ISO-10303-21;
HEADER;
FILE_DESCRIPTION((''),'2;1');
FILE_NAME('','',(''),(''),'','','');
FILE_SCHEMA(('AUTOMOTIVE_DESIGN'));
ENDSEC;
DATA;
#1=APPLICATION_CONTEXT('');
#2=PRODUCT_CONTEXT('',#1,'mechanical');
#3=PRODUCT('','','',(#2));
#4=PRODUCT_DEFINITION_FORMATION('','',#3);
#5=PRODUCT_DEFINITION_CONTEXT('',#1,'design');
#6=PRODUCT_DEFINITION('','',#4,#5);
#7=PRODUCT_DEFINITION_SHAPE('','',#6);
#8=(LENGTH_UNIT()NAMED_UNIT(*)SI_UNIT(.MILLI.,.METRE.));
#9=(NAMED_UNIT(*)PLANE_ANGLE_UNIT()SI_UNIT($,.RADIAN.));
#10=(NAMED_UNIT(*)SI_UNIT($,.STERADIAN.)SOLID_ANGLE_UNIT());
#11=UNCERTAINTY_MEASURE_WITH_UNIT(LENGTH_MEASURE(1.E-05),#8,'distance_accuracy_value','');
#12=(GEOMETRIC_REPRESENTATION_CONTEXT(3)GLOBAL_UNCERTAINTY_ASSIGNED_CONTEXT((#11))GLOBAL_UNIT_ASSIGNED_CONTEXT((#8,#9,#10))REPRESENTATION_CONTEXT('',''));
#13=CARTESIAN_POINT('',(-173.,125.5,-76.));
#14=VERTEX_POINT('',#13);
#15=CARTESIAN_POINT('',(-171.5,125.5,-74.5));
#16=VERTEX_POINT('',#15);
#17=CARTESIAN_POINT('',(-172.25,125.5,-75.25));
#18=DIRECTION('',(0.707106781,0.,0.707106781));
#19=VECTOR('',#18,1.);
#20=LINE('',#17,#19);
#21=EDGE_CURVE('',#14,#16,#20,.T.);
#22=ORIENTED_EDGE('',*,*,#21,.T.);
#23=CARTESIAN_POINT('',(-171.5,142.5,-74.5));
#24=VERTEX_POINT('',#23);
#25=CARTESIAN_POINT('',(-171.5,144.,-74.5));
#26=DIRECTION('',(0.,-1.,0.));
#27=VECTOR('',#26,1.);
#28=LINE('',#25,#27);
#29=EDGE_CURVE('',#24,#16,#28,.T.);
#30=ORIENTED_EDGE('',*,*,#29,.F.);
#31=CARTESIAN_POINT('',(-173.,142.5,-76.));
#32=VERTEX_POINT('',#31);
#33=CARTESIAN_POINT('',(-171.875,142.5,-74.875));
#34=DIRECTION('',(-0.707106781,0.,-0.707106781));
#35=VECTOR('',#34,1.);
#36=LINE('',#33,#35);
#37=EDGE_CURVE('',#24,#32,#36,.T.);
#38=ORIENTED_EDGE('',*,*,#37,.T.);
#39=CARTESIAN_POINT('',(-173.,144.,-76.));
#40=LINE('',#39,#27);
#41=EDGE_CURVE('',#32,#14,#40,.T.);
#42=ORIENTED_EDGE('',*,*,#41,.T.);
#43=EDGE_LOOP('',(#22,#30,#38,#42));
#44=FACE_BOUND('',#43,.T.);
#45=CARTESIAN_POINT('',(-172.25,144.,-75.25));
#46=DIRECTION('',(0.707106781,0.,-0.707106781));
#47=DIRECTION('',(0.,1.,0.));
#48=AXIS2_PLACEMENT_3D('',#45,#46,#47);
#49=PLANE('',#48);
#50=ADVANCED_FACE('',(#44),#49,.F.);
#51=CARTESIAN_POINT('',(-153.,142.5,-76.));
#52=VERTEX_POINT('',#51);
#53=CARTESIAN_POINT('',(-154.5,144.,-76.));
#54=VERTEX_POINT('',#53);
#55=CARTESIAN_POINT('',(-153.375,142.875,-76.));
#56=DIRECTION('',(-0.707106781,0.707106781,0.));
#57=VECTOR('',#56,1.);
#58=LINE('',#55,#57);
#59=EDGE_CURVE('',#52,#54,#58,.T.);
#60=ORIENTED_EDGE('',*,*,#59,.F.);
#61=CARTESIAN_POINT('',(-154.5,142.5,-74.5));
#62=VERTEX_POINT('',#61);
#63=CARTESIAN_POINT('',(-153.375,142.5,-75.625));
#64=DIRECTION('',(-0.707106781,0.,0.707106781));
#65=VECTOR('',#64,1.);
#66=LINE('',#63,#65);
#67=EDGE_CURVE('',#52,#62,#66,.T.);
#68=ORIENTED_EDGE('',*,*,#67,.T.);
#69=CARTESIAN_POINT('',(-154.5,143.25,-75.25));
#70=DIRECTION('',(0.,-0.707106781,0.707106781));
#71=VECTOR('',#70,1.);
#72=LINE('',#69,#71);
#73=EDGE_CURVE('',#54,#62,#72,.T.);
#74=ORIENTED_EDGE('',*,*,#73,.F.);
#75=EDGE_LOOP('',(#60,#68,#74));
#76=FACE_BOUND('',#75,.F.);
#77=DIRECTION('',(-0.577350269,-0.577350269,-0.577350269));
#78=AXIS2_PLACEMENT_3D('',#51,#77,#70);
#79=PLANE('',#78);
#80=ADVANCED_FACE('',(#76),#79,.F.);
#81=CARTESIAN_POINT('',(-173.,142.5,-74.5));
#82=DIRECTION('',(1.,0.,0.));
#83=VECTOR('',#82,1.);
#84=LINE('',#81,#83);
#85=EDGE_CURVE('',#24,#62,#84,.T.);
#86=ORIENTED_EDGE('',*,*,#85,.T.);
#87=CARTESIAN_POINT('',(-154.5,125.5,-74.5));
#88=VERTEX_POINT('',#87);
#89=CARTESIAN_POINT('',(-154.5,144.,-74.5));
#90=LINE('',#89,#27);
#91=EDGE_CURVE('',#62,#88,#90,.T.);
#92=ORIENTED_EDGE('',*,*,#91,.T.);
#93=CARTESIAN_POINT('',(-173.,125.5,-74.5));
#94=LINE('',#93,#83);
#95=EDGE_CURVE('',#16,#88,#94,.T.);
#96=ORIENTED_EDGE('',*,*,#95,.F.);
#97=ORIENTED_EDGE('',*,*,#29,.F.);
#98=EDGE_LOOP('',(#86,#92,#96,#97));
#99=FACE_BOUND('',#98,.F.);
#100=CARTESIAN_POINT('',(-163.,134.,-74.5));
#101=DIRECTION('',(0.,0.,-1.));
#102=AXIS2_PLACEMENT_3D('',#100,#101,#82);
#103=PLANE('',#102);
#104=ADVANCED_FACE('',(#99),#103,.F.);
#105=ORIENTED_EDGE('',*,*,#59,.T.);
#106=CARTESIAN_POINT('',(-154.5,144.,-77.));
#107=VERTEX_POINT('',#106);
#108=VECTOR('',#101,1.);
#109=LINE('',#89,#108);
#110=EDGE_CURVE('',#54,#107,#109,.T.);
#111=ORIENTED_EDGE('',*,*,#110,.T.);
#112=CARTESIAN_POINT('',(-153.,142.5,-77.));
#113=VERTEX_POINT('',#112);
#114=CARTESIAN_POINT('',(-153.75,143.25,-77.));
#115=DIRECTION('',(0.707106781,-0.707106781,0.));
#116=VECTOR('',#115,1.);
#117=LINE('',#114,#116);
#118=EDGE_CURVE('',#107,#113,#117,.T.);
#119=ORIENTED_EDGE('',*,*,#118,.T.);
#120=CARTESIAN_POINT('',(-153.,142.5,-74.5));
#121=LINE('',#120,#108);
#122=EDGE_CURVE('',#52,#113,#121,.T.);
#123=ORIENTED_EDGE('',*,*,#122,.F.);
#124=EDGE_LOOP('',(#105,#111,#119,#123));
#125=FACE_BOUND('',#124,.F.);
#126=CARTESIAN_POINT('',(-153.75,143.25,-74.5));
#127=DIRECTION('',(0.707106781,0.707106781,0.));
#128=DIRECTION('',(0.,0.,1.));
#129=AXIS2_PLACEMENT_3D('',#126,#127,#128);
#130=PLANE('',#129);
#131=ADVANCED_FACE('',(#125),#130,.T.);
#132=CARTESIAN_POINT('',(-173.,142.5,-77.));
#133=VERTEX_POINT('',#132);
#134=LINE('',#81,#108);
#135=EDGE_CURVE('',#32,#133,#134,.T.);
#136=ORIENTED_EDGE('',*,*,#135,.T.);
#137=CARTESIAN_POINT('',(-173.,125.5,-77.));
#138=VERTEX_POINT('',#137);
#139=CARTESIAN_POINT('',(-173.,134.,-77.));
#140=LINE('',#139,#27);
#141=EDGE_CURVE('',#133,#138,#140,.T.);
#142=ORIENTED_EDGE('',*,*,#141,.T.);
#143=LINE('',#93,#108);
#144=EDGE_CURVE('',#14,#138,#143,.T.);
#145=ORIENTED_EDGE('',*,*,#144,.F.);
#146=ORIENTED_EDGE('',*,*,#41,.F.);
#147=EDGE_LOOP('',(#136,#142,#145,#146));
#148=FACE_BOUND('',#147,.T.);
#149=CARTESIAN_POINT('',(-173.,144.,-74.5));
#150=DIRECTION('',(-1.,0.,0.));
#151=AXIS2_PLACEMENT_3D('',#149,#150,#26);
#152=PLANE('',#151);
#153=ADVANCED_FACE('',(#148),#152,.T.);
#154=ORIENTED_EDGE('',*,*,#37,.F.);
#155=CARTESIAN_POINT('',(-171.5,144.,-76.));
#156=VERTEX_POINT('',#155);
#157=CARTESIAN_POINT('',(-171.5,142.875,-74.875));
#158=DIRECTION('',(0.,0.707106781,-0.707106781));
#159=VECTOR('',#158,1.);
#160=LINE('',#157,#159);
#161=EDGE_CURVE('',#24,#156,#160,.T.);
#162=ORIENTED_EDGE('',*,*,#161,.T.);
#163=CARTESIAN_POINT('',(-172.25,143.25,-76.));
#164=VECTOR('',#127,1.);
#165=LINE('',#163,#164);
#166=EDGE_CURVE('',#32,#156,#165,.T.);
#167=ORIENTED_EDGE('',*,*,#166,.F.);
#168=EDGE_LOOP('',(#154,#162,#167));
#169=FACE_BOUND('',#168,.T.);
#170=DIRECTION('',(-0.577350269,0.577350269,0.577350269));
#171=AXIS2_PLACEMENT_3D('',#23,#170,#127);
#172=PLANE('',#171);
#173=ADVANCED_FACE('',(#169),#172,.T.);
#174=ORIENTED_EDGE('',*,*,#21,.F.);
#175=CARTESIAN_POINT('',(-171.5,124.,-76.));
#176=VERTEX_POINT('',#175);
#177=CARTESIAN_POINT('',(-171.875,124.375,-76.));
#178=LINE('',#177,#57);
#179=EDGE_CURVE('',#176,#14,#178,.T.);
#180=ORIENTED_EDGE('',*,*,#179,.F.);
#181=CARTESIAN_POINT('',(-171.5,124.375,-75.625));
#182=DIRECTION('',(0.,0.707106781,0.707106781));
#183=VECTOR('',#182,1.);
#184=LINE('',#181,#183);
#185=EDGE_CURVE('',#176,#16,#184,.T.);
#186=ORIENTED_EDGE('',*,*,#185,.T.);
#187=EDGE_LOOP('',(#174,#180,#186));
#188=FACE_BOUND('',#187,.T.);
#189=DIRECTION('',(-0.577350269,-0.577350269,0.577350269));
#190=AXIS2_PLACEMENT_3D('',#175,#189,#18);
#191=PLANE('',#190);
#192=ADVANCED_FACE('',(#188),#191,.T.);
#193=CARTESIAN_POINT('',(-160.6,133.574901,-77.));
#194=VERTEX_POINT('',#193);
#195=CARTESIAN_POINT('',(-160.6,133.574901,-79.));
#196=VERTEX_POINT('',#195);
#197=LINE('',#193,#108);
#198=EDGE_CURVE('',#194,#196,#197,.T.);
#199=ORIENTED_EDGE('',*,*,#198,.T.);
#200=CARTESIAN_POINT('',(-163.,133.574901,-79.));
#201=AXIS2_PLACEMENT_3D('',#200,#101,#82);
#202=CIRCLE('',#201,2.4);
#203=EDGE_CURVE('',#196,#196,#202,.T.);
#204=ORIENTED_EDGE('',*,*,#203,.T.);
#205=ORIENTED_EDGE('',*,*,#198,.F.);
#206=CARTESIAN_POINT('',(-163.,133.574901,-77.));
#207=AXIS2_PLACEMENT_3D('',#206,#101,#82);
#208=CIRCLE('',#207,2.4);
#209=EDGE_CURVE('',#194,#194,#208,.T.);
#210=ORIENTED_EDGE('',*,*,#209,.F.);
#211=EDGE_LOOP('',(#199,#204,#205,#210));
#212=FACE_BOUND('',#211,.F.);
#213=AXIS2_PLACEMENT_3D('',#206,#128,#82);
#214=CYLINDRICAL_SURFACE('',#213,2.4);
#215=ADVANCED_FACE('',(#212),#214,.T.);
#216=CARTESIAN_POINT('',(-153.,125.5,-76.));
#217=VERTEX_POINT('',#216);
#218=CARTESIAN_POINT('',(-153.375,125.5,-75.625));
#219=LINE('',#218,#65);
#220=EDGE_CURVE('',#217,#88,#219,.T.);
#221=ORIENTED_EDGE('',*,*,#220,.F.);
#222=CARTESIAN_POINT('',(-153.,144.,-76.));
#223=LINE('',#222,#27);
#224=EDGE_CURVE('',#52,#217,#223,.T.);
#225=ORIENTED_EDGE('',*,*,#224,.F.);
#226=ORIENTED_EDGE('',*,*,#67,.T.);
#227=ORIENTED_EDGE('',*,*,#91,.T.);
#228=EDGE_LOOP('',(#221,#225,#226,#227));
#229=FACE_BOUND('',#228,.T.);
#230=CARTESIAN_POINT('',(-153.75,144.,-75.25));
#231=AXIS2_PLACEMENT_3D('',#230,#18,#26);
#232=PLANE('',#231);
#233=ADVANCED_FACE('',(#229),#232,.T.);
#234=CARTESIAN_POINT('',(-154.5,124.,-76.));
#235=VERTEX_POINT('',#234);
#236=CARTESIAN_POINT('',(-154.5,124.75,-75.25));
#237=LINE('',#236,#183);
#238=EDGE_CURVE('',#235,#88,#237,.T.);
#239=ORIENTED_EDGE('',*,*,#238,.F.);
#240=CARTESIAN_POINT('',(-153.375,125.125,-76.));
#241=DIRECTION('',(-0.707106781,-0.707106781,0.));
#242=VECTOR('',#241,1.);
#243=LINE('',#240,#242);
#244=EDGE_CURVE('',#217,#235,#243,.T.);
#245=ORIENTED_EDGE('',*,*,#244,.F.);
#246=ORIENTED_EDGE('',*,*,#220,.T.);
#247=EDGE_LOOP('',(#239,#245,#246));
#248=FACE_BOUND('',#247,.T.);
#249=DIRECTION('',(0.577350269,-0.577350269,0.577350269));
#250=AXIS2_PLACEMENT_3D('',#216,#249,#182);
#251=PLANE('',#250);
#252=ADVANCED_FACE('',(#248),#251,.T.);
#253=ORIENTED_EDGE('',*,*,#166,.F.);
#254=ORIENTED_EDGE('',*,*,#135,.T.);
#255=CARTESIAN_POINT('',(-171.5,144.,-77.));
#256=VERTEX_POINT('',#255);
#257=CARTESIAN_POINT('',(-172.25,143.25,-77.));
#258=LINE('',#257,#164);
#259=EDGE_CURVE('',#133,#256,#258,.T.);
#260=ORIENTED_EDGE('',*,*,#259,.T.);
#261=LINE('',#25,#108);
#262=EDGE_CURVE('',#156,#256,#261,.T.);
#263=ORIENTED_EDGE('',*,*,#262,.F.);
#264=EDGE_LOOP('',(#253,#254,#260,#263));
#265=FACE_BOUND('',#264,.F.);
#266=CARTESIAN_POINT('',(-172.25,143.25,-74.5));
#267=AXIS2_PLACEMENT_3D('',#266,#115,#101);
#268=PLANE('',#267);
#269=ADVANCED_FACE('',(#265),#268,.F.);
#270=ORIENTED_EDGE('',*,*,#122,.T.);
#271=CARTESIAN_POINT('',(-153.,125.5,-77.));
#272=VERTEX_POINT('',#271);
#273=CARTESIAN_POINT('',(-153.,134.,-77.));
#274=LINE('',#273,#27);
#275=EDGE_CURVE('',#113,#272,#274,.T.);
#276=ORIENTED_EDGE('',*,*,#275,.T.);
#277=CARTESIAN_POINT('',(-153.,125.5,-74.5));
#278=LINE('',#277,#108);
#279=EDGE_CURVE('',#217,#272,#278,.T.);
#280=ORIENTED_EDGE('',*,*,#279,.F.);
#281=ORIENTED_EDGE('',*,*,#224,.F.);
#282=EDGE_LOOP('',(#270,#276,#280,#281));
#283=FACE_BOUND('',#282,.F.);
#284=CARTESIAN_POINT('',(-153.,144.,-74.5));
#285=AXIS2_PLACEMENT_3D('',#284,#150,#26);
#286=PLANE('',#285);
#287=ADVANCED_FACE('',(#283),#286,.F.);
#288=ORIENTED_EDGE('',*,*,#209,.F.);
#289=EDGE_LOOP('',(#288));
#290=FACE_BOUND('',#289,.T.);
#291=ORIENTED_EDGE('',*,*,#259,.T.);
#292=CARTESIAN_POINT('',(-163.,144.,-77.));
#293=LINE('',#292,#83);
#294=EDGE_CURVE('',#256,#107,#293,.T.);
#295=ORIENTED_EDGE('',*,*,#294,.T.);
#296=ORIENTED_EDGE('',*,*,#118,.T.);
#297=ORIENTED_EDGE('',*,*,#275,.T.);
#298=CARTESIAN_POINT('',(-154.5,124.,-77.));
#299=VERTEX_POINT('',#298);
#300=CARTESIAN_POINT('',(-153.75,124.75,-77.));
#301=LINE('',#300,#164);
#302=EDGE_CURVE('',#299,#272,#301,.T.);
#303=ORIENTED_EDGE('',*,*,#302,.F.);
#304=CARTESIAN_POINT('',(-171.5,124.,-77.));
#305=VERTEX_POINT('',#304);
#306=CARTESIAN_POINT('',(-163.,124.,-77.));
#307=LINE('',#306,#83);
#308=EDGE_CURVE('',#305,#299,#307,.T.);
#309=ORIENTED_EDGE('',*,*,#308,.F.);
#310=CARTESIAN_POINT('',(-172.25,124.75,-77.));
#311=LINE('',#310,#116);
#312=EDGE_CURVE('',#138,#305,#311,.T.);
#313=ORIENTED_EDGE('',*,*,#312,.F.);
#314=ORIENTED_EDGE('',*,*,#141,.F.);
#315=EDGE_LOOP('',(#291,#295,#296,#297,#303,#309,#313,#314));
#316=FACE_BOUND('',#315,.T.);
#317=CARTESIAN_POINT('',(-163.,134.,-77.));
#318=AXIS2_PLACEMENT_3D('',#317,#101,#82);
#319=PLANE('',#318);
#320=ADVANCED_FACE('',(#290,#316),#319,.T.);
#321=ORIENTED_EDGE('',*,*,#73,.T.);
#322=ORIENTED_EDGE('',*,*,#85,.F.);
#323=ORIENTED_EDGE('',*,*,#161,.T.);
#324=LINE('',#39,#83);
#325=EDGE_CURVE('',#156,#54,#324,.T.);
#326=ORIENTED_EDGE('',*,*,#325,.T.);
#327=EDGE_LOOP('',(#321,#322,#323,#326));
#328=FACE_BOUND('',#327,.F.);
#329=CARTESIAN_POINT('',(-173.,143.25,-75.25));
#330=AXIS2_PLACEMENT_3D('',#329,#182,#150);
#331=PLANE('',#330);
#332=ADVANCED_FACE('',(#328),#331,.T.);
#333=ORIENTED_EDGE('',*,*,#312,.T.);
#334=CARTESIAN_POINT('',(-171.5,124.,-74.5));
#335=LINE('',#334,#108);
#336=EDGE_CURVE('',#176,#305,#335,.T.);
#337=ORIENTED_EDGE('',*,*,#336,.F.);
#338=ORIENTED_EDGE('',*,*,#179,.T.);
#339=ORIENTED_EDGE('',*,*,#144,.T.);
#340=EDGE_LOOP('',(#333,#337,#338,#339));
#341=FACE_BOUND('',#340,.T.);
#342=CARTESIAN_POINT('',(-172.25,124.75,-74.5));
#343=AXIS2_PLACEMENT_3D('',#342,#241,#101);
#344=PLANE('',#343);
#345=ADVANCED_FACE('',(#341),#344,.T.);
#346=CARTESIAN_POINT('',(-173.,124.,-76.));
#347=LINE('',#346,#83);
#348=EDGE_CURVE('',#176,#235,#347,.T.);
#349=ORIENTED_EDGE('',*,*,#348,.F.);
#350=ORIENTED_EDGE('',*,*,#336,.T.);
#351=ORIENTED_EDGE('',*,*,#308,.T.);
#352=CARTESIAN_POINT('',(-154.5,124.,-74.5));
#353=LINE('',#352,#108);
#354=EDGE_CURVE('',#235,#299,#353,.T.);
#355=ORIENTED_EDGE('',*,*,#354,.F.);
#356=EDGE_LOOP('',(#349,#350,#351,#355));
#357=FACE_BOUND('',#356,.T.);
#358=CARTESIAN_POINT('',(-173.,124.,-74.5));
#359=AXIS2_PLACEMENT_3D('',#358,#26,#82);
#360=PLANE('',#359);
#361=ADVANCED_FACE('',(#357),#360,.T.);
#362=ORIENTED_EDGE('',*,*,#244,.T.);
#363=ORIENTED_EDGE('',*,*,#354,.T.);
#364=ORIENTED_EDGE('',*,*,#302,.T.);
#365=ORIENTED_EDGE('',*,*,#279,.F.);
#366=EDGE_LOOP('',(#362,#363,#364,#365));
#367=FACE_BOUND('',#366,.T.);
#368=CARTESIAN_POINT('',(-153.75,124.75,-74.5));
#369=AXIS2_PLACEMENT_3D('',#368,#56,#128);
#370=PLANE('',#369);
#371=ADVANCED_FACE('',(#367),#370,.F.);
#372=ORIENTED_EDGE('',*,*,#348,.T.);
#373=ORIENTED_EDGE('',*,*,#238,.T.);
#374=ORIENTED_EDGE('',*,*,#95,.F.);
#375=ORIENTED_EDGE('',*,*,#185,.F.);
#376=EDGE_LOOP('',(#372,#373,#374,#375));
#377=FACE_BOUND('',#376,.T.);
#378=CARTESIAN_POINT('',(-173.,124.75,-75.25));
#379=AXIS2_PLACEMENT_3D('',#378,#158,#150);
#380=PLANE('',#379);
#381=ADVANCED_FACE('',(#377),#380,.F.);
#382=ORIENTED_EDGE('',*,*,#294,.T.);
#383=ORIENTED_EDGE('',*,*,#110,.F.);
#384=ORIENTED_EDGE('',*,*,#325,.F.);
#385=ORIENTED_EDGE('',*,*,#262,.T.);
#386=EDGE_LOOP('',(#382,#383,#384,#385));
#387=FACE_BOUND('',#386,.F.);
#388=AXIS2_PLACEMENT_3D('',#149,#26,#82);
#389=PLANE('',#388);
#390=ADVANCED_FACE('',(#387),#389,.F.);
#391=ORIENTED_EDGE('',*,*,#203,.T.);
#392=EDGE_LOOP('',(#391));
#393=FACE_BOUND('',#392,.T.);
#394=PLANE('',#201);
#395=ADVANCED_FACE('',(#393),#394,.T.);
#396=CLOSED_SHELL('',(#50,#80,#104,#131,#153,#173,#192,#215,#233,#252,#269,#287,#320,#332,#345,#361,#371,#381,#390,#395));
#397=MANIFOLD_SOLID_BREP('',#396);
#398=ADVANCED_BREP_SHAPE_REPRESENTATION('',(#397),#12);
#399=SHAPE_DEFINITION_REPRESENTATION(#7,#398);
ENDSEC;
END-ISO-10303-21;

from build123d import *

# Parameters (mm, degrees)
BOX058_W                   = 20
BOX058_H                   = 20
BOX058_DEPTH               = 2.5
SKETCH048_R                = 2.4
PAD015_DEPTH               = 2
CHAMFER001_SIZE            = 1.5
CHAMFER001_PLACEMENT_ANGLE = 180


with BuildPart() as cubo044:
    # Box058 → Box058 (new body)
    with BuildSketch(Plane.XY):
        with Locations((10, 10)):
            Rectangle(BOX058_W, BOX058_H)
    extrude(amount=BOX058_DEPTH)


with BuildPart() as pad015:
    # Pad015 base: copy of Cubo044
    add(cubo044.part)

    # Sketch048 → Pad015 (new body)
    with BuildSketch(Plane.XY.offset(2.5)):
        with Locations((10, 10.425099)):
            Circle(SKETCH048_R)
    extrude(amount=PAD015_DEPTH)


with BuildPart() as chamfer001:
    # Fusion033 base: copy of Cubo044
    add(cubo044.part)

    # Fusion033: union Pad015
    add(pad015.part)

    # Chamfer001
    chamfer001_edges = [chamfer001.edges().sort_by_distance(p)[0] for p in [
        (0, 0, 1.25),
        (0, 10, 0),
        (0, 20, 1.25),
        (10, 0, 0),
        (20, 0, 1.25),
        (10, 20, 0),
        (20, 20, 1.25),
        (20, 10, 0),
    ]]
    chamfer(chamfer001_edges, length=CHAMFER001_SIZE)


with BuildPart() as chamfer001_1:
    # Chamfer001 placement: moved
    add(chamfer001.part.moved(Location((-173, 144, -74.5))).rotate(Axis((-173, 144, -74.5), (1, 0, 0)), CHAMFER001_PLACEMENT_ANGLE))


solid = chamfer001_1.part
